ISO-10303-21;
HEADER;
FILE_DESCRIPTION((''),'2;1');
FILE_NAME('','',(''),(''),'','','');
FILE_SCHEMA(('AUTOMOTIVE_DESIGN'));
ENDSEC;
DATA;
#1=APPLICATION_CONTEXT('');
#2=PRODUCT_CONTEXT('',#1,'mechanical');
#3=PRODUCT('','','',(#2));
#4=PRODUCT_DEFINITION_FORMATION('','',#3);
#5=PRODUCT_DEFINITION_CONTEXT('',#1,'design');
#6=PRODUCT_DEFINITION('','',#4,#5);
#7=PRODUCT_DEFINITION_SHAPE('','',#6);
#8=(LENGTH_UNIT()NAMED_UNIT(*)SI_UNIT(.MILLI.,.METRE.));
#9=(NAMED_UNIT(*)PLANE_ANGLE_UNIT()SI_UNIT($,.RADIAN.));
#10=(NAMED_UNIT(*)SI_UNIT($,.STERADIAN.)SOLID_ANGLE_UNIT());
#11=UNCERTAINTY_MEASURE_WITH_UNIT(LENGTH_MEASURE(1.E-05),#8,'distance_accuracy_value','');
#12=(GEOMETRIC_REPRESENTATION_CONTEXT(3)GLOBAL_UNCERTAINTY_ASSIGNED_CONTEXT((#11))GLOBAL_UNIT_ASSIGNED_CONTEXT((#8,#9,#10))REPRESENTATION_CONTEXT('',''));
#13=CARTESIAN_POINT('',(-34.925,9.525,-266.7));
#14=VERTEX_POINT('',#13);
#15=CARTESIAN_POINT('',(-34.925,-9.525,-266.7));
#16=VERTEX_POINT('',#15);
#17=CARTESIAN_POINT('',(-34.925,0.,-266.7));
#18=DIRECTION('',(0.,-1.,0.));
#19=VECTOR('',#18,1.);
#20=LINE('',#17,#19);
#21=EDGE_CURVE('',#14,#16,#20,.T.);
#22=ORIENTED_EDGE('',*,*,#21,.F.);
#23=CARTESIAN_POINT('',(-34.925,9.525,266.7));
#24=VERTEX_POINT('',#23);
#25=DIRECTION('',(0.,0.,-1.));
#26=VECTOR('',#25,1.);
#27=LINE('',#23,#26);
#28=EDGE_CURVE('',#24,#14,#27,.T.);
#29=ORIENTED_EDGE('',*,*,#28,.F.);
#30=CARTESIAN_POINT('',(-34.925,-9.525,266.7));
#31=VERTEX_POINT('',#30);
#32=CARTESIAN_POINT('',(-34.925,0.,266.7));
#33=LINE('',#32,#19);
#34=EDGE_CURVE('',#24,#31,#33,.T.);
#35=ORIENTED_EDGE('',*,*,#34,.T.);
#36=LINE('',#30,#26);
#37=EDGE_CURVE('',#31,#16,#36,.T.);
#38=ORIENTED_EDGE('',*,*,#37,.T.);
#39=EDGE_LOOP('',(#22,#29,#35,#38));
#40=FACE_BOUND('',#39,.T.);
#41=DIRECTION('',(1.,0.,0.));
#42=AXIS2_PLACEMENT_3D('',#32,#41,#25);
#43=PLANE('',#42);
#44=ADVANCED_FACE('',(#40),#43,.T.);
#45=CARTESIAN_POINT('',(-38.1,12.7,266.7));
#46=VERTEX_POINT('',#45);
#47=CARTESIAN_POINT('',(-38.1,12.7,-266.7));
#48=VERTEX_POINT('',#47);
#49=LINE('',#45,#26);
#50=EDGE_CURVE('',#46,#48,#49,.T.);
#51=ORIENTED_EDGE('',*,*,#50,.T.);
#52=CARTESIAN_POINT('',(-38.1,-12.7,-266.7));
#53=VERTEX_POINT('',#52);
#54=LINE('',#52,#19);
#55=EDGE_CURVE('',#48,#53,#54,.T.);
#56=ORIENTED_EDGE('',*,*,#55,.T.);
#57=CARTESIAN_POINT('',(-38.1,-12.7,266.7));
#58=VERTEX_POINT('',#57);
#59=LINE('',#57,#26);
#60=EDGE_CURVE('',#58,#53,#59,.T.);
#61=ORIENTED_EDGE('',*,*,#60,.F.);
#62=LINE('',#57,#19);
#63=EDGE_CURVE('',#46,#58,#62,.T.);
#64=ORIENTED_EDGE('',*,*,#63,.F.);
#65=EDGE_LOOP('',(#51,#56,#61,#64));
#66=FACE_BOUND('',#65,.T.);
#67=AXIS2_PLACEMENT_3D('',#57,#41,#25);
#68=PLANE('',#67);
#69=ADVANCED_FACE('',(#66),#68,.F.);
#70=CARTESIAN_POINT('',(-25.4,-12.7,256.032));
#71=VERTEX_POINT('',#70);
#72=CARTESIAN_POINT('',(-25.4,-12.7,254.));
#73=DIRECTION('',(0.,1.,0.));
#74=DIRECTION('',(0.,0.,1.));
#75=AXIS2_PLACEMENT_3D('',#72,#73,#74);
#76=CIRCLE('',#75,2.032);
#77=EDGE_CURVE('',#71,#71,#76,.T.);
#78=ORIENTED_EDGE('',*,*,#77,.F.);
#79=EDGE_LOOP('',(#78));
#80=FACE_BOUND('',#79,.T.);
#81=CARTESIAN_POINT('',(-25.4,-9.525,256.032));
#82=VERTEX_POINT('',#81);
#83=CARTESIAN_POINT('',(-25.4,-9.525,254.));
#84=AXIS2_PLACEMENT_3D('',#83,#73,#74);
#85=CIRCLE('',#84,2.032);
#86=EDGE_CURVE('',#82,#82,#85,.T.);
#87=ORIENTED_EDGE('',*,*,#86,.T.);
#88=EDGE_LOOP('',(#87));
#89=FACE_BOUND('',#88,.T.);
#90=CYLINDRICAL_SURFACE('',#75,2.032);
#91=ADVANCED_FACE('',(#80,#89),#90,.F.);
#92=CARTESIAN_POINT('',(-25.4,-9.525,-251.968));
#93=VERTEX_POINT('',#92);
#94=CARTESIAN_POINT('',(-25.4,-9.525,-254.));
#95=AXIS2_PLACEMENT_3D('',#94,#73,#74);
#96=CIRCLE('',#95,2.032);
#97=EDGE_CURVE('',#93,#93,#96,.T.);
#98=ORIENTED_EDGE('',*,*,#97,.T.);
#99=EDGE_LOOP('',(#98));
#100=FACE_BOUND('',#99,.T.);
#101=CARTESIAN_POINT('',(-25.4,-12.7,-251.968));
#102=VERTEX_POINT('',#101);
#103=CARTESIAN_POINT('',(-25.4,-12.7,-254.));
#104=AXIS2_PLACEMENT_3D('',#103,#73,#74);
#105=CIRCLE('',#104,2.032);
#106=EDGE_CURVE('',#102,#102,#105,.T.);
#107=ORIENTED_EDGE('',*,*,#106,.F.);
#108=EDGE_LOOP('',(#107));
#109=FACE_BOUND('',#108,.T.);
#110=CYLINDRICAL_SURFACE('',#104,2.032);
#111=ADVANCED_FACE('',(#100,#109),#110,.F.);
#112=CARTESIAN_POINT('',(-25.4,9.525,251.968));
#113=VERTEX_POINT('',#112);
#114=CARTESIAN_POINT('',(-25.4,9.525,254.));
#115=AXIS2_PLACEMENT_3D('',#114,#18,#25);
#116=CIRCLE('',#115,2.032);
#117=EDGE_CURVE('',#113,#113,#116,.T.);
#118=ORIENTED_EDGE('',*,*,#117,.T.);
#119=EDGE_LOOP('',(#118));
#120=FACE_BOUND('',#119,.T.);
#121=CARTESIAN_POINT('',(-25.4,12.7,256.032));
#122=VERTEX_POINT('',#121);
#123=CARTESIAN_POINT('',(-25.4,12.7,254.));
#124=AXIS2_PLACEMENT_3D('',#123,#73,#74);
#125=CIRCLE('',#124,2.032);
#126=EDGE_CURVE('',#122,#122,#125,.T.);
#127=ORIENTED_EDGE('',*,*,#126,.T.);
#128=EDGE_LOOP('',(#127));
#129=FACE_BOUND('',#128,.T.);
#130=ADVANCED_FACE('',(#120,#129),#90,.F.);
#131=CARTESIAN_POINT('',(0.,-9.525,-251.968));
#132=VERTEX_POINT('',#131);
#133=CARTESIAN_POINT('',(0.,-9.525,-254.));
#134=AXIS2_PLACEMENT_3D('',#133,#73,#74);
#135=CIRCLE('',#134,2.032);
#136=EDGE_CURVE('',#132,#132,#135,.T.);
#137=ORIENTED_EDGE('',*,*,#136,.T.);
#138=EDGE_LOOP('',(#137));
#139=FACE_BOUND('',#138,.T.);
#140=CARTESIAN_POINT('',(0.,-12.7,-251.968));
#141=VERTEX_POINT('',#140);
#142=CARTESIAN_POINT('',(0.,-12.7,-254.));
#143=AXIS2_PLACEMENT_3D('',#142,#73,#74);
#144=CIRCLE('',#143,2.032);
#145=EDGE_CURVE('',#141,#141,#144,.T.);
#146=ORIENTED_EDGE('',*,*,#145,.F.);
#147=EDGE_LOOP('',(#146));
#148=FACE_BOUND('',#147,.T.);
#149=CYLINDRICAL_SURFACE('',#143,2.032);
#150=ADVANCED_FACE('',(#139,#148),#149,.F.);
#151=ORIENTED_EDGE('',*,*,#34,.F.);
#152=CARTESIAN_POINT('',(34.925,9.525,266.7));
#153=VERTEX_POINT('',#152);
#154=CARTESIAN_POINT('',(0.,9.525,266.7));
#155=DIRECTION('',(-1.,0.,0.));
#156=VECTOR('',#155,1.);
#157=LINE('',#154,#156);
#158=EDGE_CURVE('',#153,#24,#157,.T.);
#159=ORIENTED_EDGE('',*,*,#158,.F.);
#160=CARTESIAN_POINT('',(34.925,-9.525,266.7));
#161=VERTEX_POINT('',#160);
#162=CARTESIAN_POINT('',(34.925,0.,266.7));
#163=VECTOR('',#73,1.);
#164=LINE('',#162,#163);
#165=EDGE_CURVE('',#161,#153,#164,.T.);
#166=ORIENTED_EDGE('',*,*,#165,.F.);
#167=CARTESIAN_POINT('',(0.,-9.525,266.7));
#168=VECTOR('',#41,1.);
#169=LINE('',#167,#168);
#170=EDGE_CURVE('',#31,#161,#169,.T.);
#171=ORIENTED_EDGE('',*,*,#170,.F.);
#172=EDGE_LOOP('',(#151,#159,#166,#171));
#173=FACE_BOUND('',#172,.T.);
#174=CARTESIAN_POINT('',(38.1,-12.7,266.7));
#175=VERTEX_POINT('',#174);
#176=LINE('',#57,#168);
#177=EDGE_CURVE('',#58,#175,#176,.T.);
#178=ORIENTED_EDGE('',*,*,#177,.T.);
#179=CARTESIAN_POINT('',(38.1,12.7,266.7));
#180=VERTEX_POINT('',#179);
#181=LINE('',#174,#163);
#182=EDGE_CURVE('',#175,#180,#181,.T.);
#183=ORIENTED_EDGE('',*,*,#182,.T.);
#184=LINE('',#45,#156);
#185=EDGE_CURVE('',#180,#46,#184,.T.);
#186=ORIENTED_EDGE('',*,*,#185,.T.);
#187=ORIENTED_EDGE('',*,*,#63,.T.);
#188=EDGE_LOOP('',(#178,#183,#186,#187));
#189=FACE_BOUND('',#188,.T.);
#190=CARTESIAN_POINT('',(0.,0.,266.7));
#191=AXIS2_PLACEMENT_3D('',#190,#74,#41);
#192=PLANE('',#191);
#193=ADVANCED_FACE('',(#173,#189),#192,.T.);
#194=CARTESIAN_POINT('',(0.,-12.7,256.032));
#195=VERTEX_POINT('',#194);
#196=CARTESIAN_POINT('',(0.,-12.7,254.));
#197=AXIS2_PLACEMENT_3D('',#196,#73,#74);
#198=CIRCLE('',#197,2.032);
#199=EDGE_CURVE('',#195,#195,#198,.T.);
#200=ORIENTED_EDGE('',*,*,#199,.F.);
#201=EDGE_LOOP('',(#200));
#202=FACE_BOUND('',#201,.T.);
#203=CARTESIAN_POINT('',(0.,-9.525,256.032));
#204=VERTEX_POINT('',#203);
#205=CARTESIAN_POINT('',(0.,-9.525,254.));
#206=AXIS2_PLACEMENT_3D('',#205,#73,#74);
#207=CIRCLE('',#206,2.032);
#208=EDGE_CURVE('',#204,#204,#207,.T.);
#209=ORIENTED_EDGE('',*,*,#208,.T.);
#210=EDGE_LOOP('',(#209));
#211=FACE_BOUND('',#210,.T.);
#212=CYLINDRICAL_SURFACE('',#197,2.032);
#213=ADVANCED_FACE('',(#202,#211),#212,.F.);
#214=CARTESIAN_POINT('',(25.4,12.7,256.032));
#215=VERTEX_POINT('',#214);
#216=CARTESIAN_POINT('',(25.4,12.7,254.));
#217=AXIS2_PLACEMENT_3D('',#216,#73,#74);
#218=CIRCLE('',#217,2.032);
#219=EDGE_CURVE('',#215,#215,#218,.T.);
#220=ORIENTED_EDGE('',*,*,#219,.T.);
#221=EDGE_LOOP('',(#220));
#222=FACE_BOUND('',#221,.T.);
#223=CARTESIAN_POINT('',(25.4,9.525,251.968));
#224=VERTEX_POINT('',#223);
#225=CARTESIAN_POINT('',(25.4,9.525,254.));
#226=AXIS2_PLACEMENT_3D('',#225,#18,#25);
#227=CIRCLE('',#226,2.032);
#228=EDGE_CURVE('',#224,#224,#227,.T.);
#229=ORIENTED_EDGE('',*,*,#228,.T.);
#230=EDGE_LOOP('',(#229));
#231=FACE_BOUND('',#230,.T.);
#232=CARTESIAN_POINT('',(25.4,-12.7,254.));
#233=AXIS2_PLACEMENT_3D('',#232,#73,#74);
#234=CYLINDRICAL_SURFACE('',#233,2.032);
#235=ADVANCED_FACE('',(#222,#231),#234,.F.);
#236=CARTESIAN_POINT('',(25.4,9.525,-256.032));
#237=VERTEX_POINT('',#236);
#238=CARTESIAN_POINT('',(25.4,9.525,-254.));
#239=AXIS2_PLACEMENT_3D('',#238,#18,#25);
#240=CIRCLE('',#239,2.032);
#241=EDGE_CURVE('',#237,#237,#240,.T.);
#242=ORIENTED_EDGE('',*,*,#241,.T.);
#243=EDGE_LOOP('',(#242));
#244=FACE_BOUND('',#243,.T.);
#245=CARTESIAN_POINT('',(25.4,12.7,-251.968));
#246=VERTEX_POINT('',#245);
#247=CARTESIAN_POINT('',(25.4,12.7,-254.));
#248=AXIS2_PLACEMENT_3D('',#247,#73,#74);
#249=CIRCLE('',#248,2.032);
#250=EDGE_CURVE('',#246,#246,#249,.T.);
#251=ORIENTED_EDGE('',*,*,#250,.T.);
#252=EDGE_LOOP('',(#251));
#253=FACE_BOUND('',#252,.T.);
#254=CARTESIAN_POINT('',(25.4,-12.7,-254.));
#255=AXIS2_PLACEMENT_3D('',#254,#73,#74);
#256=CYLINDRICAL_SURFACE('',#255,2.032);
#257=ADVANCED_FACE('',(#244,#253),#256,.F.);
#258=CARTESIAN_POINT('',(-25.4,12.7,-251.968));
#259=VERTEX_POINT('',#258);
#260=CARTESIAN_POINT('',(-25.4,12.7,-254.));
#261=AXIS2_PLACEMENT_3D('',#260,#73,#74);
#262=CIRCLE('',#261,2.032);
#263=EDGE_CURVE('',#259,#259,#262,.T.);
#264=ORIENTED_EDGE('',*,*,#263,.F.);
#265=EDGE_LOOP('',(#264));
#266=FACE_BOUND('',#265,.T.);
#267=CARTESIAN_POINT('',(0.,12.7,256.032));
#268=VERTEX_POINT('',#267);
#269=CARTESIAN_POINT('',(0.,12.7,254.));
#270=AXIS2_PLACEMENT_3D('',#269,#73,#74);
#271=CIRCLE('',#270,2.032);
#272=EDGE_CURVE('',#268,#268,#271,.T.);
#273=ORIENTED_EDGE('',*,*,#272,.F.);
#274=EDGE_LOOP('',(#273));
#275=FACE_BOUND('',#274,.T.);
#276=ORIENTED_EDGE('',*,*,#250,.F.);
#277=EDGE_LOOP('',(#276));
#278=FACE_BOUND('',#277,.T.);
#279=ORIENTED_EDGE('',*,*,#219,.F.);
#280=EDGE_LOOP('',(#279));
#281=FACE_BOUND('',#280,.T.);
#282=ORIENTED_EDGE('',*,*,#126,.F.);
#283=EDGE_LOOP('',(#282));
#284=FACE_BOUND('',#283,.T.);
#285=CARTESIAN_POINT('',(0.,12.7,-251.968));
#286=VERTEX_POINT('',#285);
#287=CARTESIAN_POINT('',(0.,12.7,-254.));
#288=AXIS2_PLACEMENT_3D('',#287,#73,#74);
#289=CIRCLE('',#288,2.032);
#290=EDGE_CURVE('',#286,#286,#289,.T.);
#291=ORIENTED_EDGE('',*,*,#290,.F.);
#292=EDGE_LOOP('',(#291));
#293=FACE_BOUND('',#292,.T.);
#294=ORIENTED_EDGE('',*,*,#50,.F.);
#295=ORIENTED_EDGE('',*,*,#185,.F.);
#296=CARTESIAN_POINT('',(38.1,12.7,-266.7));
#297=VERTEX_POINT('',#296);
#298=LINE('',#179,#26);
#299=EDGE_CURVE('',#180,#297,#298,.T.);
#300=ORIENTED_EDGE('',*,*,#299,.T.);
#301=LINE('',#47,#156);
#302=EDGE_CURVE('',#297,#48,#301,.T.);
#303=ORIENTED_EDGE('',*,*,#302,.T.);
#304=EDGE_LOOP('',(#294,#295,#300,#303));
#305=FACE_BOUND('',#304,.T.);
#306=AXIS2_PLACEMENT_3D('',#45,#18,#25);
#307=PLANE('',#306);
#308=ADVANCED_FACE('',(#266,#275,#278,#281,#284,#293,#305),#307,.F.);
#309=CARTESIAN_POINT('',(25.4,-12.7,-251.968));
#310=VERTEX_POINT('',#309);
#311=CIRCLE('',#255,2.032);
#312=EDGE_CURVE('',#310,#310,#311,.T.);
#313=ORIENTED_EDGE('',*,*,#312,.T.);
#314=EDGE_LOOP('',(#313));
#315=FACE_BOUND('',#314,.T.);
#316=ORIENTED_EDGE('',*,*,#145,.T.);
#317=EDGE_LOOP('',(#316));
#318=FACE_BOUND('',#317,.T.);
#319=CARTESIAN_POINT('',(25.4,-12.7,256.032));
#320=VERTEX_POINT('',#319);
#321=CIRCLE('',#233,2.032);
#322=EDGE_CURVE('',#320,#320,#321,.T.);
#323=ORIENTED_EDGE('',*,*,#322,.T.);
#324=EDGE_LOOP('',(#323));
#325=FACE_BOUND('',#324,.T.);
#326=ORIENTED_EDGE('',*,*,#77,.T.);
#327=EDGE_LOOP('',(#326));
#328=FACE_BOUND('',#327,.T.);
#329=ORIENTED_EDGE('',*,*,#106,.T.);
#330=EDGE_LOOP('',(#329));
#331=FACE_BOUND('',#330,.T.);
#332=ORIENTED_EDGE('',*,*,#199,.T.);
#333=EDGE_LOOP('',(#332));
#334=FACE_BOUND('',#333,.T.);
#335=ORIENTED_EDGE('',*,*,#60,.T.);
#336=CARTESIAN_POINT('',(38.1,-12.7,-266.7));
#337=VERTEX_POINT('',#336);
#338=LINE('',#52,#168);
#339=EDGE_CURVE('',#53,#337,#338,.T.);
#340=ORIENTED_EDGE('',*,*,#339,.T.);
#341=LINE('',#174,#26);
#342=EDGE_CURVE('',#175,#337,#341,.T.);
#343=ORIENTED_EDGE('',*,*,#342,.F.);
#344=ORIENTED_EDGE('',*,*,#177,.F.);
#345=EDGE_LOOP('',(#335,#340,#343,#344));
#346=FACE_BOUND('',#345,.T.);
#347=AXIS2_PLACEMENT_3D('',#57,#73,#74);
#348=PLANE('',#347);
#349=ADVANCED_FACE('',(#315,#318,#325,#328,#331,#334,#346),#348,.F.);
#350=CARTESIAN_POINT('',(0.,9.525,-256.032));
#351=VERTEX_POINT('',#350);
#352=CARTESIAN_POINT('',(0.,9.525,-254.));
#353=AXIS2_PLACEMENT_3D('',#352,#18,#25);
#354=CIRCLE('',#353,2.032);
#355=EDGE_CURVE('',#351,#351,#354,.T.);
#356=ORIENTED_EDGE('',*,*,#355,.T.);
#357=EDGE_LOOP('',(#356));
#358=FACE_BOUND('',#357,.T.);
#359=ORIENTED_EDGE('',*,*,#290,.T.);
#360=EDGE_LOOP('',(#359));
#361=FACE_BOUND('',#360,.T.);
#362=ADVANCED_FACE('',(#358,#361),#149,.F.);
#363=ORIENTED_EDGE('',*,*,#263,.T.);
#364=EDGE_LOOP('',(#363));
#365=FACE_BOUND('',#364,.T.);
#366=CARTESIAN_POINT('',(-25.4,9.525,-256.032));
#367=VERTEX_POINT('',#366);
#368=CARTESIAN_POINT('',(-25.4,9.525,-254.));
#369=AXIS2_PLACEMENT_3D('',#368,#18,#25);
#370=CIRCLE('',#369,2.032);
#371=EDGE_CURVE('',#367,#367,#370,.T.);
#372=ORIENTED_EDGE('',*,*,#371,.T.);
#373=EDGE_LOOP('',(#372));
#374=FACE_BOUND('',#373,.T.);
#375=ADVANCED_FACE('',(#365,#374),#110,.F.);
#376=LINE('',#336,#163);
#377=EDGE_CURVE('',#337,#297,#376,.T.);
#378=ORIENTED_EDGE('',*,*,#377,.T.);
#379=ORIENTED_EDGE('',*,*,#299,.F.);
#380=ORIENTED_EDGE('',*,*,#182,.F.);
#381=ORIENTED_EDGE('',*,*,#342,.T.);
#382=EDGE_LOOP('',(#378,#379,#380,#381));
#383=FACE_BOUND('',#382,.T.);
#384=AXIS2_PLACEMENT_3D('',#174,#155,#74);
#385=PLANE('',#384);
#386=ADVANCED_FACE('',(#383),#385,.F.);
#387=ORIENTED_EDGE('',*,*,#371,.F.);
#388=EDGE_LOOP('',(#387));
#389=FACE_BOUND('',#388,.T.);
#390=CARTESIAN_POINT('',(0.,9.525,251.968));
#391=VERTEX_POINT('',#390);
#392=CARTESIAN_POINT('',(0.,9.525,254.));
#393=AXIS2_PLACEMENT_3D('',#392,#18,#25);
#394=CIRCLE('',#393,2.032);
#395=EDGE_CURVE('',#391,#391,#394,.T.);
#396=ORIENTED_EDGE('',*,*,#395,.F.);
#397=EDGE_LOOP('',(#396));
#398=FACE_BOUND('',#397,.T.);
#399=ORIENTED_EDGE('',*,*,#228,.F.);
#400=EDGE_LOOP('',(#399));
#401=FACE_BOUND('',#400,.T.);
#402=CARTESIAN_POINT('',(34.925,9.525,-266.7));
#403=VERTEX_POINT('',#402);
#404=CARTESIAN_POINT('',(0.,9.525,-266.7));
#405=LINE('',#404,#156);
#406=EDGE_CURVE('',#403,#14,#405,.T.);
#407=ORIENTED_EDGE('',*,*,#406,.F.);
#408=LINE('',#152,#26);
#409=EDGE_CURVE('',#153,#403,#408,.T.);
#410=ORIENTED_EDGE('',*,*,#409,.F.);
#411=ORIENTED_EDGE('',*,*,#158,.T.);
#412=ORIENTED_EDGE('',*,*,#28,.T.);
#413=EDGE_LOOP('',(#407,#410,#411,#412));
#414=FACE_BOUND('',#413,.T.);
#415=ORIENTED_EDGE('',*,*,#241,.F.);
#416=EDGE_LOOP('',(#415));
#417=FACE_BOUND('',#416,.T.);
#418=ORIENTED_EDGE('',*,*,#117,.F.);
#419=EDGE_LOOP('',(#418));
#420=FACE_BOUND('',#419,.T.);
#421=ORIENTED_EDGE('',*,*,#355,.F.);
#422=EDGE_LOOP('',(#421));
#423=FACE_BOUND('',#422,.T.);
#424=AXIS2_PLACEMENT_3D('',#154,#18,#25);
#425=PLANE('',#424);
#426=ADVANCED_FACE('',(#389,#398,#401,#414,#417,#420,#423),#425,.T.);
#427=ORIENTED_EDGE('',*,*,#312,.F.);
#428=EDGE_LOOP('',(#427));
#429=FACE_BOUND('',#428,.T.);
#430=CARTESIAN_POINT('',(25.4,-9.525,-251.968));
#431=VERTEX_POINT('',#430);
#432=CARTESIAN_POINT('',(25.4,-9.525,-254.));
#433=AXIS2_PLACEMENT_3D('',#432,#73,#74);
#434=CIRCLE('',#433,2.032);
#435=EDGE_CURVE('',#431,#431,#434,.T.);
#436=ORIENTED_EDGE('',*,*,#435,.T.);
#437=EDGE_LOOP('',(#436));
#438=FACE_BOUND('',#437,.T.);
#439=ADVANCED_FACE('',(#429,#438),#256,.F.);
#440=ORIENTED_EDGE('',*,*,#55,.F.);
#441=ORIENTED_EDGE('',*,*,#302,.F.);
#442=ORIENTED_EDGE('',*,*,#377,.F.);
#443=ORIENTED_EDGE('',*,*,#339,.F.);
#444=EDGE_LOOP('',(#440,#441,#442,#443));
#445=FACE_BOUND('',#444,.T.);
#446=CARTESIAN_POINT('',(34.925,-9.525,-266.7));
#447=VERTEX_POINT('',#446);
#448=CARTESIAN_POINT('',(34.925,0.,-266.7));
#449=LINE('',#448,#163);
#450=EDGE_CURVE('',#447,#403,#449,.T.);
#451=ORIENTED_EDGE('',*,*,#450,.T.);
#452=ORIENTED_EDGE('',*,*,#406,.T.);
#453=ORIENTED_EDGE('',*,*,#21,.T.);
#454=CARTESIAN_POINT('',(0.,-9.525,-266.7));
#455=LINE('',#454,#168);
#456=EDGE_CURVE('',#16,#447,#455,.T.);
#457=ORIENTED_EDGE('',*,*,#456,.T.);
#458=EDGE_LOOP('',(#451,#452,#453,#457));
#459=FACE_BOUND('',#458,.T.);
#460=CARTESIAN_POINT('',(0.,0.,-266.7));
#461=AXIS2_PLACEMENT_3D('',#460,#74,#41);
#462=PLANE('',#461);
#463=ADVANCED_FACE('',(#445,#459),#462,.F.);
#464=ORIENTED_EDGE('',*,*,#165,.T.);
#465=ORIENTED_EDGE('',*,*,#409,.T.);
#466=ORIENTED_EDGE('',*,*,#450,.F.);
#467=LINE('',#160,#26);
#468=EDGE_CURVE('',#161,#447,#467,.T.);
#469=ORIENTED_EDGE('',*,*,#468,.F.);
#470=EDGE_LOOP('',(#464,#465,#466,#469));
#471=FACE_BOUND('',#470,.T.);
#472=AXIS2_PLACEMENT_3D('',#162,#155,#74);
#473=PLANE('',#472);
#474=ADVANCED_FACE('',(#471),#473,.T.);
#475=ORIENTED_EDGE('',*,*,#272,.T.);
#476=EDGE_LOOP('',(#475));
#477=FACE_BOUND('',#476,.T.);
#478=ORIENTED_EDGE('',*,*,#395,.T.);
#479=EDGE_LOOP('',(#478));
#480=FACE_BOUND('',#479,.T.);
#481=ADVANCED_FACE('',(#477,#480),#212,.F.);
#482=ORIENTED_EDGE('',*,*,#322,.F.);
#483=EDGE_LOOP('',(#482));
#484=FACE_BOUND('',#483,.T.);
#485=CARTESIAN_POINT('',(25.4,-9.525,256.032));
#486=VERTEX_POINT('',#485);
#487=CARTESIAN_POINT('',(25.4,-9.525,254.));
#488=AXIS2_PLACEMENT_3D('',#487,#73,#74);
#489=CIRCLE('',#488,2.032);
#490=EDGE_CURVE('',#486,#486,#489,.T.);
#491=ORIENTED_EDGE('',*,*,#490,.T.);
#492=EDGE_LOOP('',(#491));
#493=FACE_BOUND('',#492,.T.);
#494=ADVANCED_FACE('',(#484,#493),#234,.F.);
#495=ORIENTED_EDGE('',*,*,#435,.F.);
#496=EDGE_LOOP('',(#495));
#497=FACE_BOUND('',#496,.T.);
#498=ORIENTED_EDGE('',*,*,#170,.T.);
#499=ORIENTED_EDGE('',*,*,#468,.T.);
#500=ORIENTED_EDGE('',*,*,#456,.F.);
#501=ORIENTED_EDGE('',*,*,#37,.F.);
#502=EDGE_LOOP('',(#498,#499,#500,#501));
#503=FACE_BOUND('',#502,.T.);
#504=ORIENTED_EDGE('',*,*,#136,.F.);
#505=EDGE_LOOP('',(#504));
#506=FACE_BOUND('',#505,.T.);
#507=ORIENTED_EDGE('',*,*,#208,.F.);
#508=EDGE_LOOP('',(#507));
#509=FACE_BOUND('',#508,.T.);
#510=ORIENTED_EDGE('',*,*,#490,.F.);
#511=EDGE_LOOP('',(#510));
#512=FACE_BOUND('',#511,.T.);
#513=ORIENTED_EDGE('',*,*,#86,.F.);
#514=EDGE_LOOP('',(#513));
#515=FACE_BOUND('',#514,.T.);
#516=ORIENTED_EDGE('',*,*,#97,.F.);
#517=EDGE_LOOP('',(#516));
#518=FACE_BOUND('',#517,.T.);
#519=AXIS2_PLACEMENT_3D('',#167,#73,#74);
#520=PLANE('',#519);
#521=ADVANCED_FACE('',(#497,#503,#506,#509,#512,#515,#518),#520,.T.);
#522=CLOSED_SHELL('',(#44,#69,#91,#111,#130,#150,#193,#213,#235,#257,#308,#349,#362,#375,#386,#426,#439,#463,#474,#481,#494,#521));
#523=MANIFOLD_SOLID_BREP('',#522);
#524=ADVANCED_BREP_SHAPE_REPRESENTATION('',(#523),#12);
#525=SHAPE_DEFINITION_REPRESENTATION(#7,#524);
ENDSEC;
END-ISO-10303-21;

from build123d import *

# Parameters (mm, degrees)
SKETCH1_W           = 76.2
SKETCH1_H           = 25.4
SKETCH1_W_2         = 69.85
SKETCH1_H_2         = 19.05
EXTRUDE_THIN1_DEPTH = 266.7
SKETCH2_R           = 2.032
CUT_EXTRUDE1_DEPTH  = 26.4


with BuildPart() as part:
    # Sketch1 → Extrude-Thin1 (new body, symmetric)
    with BuildSketch(Plane.XY):
        Rectangle(SKETCH1_W, SKETCH1_H)
        Rectangle(SKETCH1_W_2, SKETCH1_H_2, mode=Mode.SUBTRACT)
    extrude(amount=EXTRUDE_THIN1_DEPTH, both=True)

    # Sketch2 → Cut-Extrude1 (cut, through all)
    with BuildSketch(Plane(origin=(0, 12.7, 0), x_dir=(1, 0, 0), z_dir=(0, 1, 0))):
        with Locations((25.4, 254)):
            Circle(SKETCH2_R)
        with Locations((0, 254)):
            Circle(SKETCH2_R)
        with Locations((25.4, -254)):
            Circle(SKETCH2_R)
        with Locations((0, -254)):
            Circle(SKETCH2_R)
        with Locations((-25.4, 254)):
            Circle(SKETCH2_R)
        with Locations((-25.4, -254)):
            Circle(SKETCH2_R)
    extrude(amount=-CUT_EXTRUDE1_DEPTH, mode=Mode.SUBTRACT)


solid = part.part
